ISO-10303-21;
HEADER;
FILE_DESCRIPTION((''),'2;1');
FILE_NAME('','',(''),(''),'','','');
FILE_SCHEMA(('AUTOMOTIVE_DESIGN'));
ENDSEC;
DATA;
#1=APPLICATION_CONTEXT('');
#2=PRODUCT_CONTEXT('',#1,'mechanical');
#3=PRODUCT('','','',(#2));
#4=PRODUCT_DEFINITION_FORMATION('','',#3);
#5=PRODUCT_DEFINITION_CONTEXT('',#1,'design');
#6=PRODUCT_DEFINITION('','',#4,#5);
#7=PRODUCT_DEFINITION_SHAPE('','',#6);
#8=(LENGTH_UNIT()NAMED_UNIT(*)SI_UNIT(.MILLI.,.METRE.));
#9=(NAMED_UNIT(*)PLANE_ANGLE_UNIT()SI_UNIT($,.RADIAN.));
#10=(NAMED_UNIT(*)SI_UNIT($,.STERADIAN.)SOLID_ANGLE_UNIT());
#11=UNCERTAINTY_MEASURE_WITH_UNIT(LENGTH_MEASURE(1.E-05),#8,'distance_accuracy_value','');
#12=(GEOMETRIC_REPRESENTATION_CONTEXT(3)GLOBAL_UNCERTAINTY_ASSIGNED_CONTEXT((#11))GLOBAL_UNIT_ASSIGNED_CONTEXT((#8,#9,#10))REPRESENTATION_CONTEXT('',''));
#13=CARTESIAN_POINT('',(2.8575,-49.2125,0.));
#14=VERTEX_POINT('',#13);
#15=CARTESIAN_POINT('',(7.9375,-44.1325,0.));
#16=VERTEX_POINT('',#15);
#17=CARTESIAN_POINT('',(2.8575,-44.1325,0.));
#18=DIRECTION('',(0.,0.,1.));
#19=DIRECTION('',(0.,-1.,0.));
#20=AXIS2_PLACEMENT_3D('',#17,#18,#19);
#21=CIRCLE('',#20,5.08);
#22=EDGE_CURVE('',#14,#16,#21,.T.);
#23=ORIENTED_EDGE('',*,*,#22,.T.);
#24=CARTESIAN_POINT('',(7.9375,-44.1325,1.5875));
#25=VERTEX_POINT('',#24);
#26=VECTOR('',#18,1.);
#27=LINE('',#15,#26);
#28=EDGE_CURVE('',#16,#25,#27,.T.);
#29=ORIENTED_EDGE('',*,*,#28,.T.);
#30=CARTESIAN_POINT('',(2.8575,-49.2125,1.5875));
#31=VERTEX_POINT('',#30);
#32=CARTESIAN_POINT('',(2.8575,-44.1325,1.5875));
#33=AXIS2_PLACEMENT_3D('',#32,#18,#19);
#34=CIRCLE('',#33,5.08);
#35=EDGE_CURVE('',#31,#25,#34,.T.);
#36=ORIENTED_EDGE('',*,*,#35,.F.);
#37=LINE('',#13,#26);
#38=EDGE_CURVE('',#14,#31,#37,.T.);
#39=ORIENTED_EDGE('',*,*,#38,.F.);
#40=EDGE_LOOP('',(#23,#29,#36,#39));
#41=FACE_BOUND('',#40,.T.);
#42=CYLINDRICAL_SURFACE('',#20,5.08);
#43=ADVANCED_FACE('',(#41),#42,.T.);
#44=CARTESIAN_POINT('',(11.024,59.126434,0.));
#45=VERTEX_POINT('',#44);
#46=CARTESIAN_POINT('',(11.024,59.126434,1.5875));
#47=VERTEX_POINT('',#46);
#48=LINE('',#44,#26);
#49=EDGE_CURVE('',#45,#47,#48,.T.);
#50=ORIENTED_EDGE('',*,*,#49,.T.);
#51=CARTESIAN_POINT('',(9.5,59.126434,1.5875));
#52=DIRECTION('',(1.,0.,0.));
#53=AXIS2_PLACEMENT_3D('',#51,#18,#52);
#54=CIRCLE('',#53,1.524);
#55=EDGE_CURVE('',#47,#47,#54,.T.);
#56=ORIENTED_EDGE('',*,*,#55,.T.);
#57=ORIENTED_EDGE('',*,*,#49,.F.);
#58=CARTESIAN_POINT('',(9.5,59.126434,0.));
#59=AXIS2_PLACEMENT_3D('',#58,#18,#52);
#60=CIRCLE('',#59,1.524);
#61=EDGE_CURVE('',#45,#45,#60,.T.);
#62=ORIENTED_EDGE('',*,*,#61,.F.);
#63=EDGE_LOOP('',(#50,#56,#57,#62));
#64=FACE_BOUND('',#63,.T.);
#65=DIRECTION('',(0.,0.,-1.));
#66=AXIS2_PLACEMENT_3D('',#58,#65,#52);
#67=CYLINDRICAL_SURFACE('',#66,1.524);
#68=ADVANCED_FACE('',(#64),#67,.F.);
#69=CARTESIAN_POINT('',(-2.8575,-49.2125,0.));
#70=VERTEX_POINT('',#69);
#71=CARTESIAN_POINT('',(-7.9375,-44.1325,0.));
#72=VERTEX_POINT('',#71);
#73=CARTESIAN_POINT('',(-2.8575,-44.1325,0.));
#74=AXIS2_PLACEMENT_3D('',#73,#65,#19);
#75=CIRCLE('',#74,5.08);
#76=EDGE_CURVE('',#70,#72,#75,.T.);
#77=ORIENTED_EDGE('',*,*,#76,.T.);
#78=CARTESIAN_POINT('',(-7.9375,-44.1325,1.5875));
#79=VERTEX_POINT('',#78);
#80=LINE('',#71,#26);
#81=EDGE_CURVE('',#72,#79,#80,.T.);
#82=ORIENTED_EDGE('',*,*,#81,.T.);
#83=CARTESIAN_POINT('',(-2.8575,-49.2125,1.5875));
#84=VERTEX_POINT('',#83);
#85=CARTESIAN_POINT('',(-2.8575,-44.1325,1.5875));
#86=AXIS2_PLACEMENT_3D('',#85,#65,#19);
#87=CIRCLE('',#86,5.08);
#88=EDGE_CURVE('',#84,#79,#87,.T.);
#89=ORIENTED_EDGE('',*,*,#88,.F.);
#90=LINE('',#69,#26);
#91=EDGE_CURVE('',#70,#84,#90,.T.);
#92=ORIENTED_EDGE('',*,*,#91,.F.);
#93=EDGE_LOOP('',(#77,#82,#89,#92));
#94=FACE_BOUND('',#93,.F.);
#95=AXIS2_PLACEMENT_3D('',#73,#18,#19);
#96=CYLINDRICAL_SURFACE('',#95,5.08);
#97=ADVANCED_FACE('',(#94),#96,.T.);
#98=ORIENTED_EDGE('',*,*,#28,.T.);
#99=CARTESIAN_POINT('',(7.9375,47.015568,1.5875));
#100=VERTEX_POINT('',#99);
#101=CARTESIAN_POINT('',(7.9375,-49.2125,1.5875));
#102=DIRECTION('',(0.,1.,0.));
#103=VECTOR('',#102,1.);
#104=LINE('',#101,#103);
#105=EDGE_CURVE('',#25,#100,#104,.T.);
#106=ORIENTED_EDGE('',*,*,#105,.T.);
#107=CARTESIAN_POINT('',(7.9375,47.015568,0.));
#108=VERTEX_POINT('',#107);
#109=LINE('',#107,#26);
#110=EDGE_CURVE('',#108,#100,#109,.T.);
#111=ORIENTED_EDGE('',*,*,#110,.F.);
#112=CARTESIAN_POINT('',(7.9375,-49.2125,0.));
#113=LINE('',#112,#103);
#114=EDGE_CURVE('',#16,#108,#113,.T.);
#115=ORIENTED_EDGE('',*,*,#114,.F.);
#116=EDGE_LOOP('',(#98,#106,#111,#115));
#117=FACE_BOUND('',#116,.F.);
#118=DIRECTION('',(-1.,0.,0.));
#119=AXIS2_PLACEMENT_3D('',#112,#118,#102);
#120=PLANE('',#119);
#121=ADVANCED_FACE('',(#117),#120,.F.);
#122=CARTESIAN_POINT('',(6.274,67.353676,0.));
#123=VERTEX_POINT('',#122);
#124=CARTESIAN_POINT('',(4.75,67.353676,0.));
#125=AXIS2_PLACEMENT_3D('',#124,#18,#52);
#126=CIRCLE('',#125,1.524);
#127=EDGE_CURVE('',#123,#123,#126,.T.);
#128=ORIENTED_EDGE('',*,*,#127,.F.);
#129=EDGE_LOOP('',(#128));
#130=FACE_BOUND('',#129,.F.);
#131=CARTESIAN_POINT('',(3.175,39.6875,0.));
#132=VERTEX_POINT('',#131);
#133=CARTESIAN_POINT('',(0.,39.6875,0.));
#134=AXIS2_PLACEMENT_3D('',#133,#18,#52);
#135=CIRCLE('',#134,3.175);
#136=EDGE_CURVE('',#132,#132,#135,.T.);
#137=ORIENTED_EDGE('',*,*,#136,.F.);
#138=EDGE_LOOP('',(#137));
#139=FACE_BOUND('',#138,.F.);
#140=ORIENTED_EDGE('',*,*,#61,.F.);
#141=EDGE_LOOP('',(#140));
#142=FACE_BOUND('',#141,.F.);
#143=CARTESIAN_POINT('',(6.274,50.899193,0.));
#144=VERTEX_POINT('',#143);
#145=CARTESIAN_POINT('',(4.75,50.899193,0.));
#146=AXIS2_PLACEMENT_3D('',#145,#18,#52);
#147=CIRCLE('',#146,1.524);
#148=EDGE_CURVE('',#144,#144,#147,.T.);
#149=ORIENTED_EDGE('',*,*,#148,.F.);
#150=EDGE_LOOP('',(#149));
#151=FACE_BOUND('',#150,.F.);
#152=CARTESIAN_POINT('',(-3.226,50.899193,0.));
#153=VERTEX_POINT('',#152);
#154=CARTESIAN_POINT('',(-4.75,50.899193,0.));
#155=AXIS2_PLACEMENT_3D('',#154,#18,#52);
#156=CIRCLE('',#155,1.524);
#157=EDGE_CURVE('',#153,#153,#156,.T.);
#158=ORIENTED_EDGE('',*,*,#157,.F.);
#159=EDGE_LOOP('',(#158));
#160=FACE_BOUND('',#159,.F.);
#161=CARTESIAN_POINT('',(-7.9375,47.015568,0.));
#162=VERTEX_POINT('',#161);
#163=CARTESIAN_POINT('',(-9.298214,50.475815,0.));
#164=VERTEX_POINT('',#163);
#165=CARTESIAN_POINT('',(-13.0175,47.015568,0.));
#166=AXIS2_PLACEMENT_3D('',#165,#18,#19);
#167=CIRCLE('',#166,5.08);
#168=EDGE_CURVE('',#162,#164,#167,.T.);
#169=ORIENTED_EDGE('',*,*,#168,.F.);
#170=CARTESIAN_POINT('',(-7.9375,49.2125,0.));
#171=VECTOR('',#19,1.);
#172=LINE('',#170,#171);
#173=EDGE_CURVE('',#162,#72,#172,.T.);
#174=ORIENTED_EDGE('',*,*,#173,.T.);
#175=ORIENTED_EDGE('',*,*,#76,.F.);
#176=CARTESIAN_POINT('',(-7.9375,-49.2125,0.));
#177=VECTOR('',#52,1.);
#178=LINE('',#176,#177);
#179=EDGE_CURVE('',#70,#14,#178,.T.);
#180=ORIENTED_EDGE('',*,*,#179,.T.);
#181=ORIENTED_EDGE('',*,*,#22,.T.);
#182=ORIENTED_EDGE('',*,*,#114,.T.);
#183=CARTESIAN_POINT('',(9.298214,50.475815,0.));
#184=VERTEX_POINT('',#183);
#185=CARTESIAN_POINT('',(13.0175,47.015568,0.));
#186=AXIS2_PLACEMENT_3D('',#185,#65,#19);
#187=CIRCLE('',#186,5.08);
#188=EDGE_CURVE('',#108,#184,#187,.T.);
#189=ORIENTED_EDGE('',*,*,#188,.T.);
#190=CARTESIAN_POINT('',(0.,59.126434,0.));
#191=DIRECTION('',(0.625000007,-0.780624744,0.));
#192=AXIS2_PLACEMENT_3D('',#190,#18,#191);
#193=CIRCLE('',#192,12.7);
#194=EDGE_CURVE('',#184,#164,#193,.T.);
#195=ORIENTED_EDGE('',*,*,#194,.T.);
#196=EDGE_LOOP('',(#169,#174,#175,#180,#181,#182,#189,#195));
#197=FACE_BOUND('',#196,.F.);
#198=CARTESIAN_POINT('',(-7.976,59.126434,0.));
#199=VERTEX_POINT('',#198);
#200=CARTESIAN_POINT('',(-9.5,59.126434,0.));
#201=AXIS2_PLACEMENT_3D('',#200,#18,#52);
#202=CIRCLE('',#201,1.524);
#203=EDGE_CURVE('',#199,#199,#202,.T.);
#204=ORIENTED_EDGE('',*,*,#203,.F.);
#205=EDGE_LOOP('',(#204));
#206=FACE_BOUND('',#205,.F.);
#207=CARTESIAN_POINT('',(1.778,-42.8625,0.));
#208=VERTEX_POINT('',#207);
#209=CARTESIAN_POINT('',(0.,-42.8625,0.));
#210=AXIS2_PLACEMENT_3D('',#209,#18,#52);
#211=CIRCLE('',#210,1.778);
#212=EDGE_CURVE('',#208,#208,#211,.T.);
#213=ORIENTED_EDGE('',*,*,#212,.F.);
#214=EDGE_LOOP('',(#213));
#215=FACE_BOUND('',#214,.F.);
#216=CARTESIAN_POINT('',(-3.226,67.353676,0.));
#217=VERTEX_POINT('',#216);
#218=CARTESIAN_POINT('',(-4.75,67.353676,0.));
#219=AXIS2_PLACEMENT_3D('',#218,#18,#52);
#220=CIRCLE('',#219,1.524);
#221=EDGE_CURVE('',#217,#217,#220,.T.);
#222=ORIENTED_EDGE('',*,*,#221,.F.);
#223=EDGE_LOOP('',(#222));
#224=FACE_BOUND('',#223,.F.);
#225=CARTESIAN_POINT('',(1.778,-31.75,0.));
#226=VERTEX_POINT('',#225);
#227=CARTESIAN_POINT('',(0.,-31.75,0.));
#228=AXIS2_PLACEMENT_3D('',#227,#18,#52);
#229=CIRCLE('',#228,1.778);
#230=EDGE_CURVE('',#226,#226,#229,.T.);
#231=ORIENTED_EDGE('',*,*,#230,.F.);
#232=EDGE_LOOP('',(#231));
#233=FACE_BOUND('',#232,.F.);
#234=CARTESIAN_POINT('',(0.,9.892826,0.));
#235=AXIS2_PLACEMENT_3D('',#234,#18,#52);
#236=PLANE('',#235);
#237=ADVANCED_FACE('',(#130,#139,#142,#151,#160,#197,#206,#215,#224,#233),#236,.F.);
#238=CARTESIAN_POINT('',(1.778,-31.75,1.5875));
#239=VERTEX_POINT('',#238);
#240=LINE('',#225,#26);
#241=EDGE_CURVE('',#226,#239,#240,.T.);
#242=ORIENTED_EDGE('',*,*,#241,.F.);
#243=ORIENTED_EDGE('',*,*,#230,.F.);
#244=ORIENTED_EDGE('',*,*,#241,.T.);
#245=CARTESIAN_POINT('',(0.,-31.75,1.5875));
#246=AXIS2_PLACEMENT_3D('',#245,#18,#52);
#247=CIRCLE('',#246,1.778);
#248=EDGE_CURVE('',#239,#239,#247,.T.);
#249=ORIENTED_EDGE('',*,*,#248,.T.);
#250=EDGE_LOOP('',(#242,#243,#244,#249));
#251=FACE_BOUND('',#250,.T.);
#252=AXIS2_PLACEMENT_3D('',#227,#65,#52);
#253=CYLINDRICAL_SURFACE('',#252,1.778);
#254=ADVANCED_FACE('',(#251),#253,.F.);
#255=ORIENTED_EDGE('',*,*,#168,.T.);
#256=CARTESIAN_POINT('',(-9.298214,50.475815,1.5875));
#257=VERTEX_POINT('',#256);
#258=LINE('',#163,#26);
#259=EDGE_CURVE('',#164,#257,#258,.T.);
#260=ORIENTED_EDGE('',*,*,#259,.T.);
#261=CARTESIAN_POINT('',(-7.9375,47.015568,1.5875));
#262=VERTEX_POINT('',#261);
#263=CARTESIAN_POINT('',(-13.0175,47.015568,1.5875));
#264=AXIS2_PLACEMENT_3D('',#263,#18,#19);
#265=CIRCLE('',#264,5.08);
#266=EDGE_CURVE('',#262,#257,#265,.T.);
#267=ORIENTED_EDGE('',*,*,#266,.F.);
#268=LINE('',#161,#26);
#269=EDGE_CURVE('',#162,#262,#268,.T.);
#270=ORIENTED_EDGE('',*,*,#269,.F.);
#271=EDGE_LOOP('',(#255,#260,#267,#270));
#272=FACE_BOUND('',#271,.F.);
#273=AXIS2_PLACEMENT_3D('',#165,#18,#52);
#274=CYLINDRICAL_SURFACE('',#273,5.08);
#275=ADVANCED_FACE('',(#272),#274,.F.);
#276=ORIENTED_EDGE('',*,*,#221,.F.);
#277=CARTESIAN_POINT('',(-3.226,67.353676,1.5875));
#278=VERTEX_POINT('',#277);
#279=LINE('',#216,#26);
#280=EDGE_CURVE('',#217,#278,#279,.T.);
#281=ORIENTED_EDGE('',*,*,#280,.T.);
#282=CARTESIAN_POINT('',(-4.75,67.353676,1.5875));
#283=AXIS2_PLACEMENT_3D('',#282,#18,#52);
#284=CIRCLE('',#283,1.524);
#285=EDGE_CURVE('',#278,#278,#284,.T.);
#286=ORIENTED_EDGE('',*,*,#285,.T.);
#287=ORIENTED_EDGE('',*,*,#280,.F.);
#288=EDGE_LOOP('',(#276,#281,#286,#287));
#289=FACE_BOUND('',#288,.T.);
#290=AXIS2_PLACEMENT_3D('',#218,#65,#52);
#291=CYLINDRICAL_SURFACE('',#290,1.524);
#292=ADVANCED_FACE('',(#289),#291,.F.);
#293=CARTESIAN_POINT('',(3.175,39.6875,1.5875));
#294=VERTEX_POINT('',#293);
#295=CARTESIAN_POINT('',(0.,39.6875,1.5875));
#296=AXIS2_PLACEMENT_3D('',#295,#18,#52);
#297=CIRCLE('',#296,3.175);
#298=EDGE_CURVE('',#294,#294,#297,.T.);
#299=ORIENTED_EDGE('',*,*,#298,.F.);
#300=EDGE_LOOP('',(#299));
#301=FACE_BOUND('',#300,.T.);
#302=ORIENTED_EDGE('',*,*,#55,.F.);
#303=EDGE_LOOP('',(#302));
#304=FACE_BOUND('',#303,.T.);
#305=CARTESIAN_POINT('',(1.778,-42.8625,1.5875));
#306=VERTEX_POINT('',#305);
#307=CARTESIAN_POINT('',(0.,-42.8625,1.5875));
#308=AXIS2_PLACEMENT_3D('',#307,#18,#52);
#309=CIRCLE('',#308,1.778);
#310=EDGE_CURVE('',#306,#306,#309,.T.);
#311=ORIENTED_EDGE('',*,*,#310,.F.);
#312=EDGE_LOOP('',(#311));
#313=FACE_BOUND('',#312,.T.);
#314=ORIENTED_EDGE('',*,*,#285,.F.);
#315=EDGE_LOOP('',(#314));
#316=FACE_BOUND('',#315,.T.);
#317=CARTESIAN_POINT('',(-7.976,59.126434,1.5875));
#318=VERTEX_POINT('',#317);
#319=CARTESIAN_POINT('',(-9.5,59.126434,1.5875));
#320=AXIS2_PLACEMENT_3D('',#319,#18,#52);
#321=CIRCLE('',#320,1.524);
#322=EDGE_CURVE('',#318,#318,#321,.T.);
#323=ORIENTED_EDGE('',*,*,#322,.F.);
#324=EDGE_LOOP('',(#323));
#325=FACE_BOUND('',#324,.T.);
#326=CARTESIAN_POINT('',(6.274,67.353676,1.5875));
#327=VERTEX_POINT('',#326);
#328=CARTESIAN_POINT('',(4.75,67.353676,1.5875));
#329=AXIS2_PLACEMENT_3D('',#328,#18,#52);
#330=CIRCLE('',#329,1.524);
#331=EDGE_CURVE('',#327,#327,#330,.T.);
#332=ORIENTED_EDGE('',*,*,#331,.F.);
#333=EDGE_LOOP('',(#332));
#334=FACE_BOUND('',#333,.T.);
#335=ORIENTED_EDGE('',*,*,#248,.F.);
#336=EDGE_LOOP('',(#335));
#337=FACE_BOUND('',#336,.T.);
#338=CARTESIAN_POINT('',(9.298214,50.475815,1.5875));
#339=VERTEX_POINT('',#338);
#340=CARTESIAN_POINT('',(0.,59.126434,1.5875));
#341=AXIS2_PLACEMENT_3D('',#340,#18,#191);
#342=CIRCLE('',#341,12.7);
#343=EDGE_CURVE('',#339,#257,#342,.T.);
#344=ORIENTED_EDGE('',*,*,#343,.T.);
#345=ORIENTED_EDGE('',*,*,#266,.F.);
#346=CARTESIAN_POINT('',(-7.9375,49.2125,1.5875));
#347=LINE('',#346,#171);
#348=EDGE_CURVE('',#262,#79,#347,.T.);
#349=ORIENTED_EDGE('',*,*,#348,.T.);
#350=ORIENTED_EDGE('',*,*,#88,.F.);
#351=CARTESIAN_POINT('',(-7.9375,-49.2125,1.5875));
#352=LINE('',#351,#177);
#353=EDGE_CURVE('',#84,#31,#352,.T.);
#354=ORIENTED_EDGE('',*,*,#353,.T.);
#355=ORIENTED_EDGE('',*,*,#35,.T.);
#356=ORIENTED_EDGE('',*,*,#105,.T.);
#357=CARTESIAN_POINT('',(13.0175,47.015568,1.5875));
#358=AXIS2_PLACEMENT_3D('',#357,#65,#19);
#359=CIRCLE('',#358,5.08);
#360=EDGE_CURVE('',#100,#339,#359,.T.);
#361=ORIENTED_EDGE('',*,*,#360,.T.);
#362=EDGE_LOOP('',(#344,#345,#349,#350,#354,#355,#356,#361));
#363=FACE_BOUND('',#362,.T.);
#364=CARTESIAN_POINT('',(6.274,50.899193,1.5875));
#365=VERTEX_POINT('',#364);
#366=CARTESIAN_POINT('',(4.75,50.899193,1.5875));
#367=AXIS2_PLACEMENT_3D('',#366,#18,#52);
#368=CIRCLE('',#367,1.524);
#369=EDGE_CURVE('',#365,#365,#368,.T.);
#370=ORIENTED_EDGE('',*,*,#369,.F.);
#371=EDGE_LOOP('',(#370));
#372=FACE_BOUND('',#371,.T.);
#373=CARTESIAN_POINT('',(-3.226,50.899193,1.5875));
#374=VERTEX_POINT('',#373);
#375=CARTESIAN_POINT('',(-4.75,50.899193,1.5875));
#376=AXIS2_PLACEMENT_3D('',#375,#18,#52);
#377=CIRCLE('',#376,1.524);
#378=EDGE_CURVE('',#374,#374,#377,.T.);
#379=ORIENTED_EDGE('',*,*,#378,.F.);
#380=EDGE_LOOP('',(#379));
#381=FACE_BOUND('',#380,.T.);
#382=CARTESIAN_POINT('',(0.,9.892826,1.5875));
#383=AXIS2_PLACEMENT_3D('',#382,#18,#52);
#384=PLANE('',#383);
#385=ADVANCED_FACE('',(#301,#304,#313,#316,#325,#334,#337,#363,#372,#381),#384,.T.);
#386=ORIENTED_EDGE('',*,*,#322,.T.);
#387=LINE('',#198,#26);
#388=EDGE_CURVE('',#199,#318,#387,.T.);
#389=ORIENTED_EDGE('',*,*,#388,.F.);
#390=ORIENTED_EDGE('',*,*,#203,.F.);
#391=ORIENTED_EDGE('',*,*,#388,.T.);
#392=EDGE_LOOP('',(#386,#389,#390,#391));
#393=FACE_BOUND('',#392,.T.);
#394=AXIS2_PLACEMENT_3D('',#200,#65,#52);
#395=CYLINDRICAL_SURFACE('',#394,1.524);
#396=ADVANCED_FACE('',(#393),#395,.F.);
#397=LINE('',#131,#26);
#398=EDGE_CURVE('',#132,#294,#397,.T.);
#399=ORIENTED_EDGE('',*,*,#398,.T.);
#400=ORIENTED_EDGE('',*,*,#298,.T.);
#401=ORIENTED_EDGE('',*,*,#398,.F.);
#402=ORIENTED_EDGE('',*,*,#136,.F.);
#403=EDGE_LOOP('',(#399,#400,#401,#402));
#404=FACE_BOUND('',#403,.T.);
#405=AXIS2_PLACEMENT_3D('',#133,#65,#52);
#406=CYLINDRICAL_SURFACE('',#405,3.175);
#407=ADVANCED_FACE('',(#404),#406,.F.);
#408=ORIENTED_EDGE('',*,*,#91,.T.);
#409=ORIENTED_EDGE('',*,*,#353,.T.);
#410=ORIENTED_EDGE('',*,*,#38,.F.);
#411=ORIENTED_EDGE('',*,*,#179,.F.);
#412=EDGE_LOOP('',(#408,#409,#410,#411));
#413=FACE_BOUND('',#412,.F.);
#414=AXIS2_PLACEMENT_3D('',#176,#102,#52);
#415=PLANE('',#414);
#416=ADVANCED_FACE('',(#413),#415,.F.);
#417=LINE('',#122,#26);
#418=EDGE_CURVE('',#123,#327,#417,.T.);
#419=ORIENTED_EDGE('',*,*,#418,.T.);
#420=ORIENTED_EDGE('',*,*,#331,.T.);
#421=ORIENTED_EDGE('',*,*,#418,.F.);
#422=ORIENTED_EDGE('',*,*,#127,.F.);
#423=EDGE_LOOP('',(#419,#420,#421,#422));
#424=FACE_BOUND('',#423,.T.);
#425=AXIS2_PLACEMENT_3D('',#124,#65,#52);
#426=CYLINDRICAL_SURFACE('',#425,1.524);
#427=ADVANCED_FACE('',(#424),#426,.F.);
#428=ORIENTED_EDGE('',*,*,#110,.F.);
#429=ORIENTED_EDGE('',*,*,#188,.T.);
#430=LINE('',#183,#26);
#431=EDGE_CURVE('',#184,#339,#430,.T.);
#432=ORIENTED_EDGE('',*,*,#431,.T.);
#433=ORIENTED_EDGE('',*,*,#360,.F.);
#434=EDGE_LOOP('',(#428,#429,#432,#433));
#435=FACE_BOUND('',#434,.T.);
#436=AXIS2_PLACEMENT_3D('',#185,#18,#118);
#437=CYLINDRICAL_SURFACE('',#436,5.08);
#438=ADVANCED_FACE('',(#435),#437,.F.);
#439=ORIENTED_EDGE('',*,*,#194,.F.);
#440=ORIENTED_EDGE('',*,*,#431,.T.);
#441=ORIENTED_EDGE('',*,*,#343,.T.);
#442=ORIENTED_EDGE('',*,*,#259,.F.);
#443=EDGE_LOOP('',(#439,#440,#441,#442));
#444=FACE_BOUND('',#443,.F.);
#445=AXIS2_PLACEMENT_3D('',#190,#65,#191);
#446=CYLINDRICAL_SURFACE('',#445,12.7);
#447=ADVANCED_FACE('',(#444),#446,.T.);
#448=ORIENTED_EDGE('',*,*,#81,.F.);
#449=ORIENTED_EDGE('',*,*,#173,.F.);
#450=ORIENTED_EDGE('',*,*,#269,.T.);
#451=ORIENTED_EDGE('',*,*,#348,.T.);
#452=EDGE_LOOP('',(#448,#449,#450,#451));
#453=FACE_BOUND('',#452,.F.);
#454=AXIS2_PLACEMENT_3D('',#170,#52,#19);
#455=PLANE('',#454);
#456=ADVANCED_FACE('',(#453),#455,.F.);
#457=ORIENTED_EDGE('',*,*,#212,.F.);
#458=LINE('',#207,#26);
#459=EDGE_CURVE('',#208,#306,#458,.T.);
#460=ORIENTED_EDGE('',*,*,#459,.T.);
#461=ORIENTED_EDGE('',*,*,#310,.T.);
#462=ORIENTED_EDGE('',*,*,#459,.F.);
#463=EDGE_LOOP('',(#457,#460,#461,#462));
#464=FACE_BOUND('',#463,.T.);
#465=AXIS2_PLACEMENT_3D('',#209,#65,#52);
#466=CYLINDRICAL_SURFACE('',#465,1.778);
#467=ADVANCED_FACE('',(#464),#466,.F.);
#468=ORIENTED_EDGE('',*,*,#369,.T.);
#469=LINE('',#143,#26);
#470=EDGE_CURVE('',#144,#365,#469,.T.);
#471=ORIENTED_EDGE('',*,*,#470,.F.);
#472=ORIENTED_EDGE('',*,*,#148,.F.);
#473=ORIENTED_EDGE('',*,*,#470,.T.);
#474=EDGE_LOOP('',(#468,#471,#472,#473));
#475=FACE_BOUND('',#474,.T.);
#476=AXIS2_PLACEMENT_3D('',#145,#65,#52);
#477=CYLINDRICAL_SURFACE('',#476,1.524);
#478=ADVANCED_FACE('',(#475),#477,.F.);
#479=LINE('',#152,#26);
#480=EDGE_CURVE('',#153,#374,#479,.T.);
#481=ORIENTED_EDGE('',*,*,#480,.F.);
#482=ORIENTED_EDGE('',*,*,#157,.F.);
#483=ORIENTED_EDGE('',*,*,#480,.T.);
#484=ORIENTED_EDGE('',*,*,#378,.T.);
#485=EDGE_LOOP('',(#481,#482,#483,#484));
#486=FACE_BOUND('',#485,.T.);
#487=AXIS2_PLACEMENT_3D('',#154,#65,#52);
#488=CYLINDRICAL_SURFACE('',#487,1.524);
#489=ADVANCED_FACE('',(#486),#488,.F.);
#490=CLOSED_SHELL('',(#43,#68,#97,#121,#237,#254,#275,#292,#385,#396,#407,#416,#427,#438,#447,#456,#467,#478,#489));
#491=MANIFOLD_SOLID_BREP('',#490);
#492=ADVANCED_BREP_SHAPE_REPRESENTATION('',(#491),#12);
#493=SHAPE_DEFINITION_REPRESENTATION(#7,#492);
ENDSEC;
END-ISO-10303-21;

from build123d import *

# Parameters (mm, degrees)
F0_R     = 1.778
F0_R_2   = 1.524
F0_R_3   = 3.175
F1_DEPTH = 1.5875
F2_R     = 5.08


with BuildPart() as f1:
    # F0 (on Top) → F1 (new body)
    with BuildSketch(Plane.XY):
        with BuildLine():
            Line((-7.9375, -49.2125), (7.9375, -49.2125))
            Line((7.9375, -49.2125), (7.9375, 49.2125))
            ThreePointArc((7.9375, 49.2125), (0, 71.826434), (-7.9375, 49.2125))
            Line((-7.9375, 49.2125), (-7.9375, -49.2125))
        make_face()
        with Locations((0, -42.8625)):
            Circle(F0_R, mode=Mode.SUBTRACT)
        with Locations((0, -31.75)):
            Circle(F0_R, mode=Mode.SUBTRACT)
        with Locations((-9.5, 59.126434)):
            Circle(F0_R_2, mode=Mode.SUBTRACT)
        with Locations((-4.75, 50.899193)):
            Circle(F0_R_2, mode=Mode.SUBTRACT)
        with Locations((-4.75, 67.353676)):
            Circle(F0_R_2, mode=Mode.SUBTRACT)
        with Locations((0, 39.6875)):
            Circle(F0_R_3, mode=Mode.SUBTRACT)
        with Locations((4.75, 50.899193)):
            Circle(F0_R_2, mode=Mode.SUBTRACT)
        with Locations((4.75, 67.353676)):
            Circle(F0_R_2, mode=Mode.SUBTRACT)
        with Locations((9.5, 59.126434)):
            Circle(F0_R_2, mode=Mode.SUBTRACT)
    extrude(amount=F1_DEPTH)

    # F2
    f2_edges = [f1.edges().sort_by_distance(p)[0] for p in [
        (7.9375, 49.2125, 0.79375),
        (7.9375, -49.2125, 0.79375),
        (-7.9375, -49.2125, 0.79375),
        (-7.9375, 49.2125, 0.79375),
    ]]
    fillet(f2_edges, radius=F2_R)


solid = f1.part
